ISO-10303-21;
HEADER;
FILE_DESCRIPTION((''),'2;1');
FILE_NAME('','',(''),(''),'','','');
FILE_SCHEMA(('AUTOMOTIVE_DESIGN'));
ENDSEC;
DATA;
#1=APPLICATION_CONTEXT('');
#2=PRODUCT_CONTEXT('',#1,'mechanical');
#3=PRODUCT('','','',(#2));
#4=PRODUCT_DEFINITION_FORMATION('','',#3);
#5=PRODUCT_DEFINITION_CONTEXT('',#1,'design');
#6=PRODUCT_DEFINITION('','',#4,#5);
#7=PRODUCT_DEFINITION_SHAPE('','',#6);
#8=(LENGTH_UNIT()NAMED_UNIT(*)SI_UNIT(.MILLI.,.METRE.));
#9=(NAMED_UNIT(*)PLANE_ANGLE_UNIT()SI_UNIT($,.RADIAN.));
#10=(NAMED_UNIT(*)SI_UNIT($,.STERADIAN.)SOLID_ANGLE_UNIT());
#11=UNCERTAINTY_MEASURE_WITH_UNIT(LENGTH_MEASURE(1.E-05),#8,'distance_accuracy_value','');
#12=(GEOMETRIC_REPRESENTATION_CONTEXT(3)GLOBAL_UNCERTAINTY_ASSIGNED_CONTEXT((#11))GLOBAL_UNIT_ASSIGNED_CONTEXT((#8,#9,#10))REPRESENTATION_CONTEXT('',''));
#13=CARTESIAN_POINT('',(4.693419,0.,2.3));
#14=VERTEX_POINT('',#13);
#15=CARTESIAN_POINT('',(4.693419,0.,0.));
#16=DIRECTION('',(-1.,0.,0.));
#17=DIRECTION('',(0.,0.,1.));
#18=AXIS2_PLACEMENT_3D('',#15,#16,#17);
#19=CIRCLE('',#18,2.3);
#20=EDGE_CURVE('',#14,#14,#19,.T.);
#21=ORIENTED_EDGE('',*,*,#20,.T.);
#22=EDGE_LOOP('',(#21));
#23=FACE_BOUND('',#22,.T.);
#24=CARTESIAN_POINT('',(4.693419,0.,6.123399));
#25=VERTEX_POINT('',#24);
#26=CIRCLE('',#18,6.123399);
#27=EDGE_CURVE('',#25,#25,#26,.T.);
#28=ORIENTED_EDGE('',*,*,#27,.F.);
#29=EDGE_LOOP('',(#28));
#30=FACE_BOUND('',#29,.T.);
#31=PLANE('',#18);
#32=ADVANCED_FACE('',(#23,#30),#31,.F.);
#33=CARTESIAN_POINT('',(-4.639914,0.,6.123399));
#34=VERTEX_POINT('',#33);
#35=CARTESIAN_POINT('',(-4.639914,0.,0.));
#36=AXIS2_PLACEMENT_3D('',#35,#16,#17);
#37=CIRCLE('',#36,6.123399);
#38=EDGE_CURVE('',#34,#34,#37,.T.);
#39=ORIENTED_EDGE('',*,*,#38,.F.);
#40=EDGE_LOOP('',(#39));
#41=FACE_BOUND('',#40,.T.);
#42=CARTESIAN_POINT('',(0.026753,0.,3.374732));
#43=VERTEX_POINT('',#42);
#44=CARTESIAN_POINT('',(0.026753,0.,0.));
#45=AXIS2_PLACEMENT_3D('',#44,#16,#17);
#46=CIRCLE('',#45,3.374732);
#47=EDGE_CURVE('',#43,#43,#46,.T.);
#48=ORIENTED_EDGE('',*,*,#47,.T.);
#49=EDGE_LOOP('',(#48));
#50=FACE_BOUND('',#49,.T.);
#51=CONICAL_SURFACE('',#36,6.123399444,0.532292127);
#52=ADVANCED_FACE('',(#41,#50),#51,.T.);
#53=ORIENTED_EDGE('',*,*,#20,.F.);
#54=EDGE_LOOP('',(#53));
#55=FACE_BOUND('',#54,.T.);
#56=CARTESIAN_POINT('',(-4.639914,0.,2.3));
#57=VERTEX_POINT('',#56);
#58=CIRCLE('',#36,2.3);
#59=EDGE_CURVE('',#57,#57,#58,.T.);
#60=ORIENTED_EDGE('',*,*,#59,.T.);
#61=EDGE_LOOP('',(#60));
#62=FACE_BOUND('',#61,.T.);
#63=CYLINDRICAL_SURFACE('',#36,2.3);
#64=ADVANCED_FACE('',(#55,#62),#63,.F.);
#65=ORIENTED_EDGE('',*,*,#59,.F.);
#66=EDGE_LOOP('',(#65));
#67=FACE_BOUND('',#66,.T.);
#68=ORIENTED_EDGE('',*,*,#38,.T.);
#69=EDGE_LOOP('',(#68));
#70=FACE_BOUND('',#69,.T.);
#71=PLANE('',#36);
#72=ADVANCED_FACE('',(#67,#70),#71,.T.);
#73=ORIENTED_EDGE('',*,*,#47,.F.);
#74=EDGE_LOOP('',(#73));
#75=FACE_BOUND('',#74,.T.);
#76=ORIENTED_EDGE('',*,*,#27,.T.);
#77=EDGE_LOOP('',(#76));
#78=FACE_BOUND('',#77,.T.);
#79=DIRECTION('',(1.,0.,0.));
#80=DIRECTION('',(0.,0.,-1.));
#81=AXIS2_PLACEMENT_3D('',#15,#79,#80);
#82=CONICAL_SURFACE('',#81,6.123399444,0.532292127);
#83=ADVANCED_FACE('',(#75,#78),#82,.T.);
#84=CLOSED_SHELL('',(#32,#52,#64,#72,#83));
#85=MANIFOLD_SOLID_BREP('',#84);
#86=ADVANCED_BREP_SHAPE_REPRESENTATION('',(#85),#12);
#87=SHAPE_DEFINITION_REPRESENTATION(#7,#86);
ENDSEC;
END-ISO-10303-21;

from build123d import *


with BuildPart() as part:
    # Sketch1 → Revolve2 (revolve)
    with BuildSketch(Plane(origin=(0, 0, 0), x_dir=(1, 0, 0), z_dir=(0, 1, 0))):
        Polygon((-4.639913961, 6.123399444), (-4.639913961, 2.3), (4.693419373, 2.3), (4.693419373, 6.123399444), (0.026752706, 3.374731981), align=None)
    revolve(axis=Axis((-4.639913961, 0, 0), (1, 0, 0)))


solid = part.part
